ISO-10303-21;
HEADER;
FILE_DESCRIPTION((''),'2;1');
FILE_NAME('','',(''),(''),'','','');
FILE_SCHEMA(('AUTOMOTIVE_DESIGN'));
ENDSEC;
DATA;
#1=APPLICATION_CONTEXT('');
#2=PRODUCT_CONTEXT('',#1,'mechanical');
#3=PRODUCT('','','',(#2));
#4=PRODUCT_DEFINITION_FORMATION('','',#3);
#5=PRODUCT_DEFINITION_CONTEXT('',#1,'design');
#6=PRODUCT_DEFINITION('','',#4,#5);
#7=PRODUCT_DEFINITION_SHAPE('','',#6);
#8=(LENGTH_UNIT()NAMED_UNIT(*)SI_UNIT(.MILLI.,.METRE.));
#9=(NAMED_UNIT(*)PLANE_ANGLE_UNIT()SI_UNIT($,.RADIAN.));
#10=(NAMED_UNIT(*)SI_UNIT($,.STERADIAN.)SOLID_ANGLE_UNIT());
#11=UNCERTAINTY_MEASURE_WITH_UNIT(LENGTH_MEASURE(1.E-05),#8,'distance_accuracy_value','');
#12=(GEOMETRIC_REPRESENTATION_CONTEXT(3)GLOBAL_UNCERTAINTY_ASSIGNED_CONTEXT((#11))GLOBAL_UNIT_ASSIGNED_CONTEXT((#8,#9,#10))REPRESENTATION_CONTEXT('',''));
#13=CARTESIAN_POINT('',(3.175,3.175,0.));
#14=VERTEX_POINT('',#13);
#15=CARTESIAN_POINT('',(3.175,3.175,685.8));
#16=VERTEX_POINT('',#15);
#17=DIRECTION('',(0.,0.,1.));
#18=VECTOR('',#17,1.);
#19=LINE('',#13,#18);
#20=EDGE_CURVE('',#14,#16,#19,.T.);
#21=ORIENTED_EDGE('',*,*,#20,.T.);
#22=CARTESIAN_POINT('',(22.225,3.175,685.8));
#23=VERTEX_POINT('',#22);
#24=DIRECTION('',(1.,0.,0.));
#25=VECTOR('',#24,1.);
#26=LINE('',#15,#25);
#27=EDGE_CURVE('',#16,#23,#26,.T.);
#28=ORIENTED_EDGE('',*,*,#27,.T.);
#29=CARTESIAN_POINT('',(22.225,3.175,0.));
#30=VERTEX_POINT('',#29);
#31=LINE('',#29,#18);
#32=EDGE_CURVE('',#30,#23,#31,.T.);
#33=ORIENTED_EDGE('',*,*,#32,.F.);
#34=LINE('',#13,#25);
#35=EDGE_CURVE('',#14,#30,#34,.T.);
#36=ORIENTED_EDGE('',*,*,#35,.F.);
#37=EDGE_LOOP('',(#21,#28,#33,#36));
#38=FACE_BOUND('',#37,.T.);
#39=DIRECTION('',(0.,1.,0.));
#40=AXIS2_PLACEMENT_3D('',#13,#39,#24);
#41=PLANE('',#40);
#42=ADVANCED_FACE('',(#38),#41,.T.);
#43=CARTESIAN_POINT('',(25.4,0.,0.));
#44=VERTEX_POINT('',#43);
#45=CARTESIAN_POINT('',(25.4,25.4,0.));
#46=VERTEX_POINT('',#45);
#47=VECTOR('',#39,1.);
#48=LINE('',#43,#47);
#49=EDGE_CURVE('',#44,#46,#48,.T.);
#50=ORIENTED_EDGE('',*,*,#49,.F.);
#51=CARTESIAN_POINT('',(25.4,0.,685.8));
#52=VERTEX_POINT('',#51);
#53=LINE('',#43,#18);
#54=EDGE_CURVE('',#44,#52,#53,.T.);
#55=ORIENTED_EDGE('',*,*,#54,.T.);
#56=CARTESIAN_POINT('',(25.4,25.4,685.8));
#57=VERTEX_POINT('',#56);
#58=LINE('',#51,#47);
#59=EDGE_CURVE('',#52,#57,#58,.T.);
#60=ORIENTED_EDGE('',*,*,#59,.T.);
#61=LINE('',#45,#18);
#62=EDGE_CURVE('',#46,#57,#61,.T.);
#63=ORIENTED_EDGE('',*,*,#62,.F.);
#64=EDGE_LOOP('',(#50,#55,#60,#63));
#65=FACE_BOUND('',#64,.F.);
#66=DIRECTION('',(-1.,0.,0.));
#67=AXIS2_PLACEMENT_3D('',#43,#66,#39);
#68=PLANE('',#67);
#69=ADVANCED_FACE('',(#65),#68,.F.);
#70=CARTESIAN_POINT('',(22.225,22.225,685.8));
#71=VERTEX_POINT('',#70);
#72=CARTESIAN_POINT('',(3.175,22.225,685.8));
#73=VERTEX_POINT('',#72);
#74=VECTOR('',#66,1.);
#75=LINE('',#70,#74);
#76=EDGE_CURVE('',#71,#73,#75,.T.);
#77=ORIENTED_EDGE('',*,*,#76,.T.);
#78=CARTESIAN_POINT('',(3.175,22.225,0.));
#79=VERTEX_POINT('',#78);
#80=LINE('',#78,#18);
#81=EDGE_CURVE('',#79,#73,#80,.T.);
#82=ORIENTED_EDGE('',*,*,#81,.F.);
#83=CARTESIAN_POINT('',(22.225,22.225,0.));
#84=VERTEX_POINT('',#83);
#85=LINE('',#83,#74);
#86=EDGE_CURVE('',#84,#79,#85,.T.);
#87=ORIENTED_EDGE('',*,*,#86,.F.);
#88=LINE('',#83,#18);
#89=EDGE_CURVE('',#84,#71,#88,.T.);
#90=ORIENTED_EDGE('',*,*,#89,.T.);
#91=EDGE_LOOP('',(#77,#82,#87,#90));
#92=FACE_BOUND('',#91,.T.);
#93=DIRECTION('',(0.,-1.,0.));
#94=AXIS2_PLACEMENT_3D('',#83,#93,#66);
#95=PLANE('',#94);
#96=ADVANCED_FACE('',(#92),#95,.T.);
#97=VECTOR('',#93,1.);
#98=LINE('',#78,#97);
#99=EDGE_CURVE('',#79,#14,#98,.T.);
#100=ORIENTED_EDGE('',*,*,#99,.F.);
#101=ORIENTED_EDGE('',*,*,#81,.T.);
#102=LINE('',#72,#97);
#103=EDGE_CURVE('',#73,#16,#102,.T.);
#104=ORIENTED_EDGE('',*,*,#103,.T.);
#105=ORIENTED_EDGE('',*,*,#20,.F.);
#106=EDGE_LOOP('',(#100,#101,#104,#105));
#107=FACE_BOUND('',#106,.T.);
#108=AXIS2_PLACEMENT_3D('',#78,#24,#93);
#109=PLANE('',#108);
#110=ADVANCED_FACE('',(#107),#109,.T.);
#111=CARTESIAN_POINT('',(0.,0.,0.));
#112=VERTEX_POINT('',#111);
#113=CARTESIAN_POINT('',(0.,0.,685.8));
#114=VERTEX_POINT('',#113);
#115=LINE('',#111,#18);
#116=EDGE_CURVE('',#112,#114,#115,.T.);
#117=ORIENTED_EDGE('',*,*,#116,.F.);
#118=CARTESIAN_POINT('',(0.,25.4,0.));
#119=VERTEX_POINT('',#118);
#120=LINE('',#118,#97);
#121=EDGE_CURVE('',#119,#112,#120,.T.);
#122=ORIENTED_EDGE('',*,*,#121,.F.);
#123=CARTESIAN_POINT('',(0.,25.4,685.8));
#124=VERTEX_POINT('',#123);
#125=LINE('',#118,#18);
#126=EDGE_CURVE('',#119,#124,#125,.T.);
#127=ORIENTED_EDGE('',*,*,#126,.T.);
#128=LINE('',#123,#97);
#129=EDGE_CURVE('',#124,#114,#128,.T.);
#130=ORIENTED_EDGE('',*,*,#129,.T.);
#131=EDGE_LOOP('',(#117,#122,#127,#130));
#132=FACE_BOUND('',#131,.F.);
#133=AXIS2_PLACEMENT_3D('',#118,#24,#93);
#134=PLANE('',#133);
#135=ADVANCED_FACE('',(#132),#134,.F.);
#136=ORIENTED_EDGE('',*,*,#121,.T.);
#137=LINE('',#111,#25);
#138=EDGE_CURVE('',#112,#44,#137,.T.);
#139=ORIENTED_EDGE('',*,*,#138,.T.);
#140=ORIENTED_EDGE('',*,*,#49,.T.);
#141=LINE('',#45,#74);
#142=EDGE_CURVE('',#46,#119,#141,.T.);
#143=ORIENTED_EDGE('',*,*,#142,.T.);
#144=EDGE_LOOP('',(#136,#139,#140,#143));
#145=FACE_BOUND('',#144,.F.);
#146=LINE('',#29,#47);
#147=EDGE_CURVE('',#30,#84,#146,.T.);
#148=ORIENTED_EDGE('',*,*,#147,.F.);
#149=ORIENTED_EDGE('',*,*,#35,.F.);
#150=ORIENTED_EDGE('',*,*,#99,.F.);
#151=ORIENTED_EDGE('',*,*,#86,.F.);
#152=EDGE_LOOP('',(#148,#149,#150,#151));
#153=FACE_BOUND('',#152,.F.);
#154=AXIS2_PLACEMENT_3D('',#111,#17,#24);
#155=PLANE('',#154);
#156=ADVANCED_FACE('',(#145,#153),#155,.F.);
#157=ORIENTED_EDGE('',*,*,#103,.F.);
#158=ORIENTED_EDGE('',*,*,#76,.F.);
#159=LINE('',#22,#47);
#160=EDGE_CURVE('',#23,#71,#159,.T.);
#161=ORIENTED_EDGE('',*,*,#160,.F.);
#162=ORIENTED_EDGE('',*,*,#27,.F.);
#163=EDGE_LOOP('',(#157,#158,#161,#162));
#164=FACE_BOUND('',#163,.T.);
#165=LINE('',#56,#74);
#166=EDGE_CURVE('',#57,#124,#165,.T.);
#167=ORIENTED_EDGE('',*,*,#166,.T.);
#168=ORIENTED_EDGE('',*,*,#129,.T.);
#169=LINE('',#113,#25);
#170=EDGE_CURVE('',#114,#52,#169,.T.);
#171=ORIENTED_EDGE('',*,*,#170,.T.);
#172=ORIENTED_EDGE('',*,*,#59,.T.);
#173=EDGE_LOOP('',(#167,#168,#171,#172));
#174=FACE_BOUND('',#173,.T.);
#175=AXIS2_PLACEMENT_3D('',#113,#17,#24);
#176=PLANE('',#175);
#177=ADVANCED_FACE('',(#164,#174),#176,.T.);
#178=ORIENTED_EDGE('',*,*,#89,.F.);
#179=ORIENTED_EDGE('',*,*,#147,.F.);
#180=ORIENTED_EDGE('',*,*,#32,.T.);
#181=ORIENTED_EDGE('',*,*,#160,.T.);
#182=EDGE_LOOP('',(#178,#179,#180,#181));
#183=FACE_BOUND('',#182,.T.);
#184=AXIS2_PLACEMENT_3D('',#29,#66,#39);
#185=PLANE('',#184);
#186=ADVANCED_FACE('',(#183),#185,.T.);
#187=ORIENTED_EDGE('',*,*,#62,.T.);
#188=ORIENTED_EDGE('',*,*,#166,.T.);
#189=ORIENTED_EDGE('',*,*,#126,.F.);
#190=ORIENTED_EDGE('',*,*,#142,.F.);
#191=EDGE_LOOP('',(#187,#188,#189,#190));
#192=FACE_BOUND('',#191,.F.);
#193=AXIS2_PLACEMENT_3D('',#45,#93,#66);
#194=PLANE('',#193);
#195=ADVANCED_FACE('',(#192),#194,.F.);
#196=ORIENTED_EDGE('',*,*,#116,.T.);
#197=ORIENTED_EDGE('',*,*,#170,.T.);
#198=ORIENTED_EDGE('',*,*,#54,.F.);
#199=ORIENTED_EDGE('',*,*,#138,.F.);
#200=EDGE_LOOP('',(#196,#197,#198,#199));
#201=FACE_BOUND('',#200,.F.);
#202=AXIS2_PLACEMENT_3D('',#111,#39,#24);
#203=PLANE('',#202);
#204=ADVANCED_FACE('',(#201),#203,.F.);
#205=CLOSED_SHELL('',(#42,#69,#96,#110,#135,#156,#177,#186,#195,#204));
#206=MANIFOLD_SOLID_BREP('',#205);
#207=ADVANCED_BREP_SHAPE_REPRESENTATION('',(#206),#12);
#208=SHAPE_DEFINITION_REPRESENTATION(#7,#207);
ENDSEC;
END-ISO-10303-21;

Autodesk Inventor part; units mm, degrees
ref_plane "YZ Plane" through (0, 0, 0) normal (1, 0, 0) x (0, 1, 0)
ref_plane "XZ Plane" through (0, 0, 0) normal (0, 1, 0) x (-1, 0, 0)
ref_plane "XY Plane" through (0, 0, 0) normal (0, 0, 1) x (1, 0, 0)
sketch "Sketch1" plane through (0, 0, 0) normal (0, 0, 1) x (1, 0, 0)
  line L0 (0, 0) -> (25.4, 0)
  line L1 (25.4, 0) -> (25.4, 25.4)
  line L2 (25.4, 25.4) -> (0, 25.4)
  line L3 (0, 25.4) -> (0, 0)
  line L4 (3.175, 3.175) -> (22.225, 3.175)
  line L5 (22.225, 3.175) -> (22.225, 22.225)
  line L6 (22.225, 22.225) -> (3.175, 22.225)
  line L7 (3.175, 22.225) -> (3.175, 3.175)
  dimension "d0" = 3.175
  dimension "d1" = 3.175
  dimension "d2" = 3.175
  dimension "d3" = 3.175
  dimension "d4" = 25.4
  dimension "d5" = 25.4
extrude "Extrusion1" add sketch "Sketch1" along normal blind 685.8
equation "\"d1\" = d0"
equation "\"d2\" = d1"
equation "\"d3\" = d2"
properties part number "apendage widening tube"
